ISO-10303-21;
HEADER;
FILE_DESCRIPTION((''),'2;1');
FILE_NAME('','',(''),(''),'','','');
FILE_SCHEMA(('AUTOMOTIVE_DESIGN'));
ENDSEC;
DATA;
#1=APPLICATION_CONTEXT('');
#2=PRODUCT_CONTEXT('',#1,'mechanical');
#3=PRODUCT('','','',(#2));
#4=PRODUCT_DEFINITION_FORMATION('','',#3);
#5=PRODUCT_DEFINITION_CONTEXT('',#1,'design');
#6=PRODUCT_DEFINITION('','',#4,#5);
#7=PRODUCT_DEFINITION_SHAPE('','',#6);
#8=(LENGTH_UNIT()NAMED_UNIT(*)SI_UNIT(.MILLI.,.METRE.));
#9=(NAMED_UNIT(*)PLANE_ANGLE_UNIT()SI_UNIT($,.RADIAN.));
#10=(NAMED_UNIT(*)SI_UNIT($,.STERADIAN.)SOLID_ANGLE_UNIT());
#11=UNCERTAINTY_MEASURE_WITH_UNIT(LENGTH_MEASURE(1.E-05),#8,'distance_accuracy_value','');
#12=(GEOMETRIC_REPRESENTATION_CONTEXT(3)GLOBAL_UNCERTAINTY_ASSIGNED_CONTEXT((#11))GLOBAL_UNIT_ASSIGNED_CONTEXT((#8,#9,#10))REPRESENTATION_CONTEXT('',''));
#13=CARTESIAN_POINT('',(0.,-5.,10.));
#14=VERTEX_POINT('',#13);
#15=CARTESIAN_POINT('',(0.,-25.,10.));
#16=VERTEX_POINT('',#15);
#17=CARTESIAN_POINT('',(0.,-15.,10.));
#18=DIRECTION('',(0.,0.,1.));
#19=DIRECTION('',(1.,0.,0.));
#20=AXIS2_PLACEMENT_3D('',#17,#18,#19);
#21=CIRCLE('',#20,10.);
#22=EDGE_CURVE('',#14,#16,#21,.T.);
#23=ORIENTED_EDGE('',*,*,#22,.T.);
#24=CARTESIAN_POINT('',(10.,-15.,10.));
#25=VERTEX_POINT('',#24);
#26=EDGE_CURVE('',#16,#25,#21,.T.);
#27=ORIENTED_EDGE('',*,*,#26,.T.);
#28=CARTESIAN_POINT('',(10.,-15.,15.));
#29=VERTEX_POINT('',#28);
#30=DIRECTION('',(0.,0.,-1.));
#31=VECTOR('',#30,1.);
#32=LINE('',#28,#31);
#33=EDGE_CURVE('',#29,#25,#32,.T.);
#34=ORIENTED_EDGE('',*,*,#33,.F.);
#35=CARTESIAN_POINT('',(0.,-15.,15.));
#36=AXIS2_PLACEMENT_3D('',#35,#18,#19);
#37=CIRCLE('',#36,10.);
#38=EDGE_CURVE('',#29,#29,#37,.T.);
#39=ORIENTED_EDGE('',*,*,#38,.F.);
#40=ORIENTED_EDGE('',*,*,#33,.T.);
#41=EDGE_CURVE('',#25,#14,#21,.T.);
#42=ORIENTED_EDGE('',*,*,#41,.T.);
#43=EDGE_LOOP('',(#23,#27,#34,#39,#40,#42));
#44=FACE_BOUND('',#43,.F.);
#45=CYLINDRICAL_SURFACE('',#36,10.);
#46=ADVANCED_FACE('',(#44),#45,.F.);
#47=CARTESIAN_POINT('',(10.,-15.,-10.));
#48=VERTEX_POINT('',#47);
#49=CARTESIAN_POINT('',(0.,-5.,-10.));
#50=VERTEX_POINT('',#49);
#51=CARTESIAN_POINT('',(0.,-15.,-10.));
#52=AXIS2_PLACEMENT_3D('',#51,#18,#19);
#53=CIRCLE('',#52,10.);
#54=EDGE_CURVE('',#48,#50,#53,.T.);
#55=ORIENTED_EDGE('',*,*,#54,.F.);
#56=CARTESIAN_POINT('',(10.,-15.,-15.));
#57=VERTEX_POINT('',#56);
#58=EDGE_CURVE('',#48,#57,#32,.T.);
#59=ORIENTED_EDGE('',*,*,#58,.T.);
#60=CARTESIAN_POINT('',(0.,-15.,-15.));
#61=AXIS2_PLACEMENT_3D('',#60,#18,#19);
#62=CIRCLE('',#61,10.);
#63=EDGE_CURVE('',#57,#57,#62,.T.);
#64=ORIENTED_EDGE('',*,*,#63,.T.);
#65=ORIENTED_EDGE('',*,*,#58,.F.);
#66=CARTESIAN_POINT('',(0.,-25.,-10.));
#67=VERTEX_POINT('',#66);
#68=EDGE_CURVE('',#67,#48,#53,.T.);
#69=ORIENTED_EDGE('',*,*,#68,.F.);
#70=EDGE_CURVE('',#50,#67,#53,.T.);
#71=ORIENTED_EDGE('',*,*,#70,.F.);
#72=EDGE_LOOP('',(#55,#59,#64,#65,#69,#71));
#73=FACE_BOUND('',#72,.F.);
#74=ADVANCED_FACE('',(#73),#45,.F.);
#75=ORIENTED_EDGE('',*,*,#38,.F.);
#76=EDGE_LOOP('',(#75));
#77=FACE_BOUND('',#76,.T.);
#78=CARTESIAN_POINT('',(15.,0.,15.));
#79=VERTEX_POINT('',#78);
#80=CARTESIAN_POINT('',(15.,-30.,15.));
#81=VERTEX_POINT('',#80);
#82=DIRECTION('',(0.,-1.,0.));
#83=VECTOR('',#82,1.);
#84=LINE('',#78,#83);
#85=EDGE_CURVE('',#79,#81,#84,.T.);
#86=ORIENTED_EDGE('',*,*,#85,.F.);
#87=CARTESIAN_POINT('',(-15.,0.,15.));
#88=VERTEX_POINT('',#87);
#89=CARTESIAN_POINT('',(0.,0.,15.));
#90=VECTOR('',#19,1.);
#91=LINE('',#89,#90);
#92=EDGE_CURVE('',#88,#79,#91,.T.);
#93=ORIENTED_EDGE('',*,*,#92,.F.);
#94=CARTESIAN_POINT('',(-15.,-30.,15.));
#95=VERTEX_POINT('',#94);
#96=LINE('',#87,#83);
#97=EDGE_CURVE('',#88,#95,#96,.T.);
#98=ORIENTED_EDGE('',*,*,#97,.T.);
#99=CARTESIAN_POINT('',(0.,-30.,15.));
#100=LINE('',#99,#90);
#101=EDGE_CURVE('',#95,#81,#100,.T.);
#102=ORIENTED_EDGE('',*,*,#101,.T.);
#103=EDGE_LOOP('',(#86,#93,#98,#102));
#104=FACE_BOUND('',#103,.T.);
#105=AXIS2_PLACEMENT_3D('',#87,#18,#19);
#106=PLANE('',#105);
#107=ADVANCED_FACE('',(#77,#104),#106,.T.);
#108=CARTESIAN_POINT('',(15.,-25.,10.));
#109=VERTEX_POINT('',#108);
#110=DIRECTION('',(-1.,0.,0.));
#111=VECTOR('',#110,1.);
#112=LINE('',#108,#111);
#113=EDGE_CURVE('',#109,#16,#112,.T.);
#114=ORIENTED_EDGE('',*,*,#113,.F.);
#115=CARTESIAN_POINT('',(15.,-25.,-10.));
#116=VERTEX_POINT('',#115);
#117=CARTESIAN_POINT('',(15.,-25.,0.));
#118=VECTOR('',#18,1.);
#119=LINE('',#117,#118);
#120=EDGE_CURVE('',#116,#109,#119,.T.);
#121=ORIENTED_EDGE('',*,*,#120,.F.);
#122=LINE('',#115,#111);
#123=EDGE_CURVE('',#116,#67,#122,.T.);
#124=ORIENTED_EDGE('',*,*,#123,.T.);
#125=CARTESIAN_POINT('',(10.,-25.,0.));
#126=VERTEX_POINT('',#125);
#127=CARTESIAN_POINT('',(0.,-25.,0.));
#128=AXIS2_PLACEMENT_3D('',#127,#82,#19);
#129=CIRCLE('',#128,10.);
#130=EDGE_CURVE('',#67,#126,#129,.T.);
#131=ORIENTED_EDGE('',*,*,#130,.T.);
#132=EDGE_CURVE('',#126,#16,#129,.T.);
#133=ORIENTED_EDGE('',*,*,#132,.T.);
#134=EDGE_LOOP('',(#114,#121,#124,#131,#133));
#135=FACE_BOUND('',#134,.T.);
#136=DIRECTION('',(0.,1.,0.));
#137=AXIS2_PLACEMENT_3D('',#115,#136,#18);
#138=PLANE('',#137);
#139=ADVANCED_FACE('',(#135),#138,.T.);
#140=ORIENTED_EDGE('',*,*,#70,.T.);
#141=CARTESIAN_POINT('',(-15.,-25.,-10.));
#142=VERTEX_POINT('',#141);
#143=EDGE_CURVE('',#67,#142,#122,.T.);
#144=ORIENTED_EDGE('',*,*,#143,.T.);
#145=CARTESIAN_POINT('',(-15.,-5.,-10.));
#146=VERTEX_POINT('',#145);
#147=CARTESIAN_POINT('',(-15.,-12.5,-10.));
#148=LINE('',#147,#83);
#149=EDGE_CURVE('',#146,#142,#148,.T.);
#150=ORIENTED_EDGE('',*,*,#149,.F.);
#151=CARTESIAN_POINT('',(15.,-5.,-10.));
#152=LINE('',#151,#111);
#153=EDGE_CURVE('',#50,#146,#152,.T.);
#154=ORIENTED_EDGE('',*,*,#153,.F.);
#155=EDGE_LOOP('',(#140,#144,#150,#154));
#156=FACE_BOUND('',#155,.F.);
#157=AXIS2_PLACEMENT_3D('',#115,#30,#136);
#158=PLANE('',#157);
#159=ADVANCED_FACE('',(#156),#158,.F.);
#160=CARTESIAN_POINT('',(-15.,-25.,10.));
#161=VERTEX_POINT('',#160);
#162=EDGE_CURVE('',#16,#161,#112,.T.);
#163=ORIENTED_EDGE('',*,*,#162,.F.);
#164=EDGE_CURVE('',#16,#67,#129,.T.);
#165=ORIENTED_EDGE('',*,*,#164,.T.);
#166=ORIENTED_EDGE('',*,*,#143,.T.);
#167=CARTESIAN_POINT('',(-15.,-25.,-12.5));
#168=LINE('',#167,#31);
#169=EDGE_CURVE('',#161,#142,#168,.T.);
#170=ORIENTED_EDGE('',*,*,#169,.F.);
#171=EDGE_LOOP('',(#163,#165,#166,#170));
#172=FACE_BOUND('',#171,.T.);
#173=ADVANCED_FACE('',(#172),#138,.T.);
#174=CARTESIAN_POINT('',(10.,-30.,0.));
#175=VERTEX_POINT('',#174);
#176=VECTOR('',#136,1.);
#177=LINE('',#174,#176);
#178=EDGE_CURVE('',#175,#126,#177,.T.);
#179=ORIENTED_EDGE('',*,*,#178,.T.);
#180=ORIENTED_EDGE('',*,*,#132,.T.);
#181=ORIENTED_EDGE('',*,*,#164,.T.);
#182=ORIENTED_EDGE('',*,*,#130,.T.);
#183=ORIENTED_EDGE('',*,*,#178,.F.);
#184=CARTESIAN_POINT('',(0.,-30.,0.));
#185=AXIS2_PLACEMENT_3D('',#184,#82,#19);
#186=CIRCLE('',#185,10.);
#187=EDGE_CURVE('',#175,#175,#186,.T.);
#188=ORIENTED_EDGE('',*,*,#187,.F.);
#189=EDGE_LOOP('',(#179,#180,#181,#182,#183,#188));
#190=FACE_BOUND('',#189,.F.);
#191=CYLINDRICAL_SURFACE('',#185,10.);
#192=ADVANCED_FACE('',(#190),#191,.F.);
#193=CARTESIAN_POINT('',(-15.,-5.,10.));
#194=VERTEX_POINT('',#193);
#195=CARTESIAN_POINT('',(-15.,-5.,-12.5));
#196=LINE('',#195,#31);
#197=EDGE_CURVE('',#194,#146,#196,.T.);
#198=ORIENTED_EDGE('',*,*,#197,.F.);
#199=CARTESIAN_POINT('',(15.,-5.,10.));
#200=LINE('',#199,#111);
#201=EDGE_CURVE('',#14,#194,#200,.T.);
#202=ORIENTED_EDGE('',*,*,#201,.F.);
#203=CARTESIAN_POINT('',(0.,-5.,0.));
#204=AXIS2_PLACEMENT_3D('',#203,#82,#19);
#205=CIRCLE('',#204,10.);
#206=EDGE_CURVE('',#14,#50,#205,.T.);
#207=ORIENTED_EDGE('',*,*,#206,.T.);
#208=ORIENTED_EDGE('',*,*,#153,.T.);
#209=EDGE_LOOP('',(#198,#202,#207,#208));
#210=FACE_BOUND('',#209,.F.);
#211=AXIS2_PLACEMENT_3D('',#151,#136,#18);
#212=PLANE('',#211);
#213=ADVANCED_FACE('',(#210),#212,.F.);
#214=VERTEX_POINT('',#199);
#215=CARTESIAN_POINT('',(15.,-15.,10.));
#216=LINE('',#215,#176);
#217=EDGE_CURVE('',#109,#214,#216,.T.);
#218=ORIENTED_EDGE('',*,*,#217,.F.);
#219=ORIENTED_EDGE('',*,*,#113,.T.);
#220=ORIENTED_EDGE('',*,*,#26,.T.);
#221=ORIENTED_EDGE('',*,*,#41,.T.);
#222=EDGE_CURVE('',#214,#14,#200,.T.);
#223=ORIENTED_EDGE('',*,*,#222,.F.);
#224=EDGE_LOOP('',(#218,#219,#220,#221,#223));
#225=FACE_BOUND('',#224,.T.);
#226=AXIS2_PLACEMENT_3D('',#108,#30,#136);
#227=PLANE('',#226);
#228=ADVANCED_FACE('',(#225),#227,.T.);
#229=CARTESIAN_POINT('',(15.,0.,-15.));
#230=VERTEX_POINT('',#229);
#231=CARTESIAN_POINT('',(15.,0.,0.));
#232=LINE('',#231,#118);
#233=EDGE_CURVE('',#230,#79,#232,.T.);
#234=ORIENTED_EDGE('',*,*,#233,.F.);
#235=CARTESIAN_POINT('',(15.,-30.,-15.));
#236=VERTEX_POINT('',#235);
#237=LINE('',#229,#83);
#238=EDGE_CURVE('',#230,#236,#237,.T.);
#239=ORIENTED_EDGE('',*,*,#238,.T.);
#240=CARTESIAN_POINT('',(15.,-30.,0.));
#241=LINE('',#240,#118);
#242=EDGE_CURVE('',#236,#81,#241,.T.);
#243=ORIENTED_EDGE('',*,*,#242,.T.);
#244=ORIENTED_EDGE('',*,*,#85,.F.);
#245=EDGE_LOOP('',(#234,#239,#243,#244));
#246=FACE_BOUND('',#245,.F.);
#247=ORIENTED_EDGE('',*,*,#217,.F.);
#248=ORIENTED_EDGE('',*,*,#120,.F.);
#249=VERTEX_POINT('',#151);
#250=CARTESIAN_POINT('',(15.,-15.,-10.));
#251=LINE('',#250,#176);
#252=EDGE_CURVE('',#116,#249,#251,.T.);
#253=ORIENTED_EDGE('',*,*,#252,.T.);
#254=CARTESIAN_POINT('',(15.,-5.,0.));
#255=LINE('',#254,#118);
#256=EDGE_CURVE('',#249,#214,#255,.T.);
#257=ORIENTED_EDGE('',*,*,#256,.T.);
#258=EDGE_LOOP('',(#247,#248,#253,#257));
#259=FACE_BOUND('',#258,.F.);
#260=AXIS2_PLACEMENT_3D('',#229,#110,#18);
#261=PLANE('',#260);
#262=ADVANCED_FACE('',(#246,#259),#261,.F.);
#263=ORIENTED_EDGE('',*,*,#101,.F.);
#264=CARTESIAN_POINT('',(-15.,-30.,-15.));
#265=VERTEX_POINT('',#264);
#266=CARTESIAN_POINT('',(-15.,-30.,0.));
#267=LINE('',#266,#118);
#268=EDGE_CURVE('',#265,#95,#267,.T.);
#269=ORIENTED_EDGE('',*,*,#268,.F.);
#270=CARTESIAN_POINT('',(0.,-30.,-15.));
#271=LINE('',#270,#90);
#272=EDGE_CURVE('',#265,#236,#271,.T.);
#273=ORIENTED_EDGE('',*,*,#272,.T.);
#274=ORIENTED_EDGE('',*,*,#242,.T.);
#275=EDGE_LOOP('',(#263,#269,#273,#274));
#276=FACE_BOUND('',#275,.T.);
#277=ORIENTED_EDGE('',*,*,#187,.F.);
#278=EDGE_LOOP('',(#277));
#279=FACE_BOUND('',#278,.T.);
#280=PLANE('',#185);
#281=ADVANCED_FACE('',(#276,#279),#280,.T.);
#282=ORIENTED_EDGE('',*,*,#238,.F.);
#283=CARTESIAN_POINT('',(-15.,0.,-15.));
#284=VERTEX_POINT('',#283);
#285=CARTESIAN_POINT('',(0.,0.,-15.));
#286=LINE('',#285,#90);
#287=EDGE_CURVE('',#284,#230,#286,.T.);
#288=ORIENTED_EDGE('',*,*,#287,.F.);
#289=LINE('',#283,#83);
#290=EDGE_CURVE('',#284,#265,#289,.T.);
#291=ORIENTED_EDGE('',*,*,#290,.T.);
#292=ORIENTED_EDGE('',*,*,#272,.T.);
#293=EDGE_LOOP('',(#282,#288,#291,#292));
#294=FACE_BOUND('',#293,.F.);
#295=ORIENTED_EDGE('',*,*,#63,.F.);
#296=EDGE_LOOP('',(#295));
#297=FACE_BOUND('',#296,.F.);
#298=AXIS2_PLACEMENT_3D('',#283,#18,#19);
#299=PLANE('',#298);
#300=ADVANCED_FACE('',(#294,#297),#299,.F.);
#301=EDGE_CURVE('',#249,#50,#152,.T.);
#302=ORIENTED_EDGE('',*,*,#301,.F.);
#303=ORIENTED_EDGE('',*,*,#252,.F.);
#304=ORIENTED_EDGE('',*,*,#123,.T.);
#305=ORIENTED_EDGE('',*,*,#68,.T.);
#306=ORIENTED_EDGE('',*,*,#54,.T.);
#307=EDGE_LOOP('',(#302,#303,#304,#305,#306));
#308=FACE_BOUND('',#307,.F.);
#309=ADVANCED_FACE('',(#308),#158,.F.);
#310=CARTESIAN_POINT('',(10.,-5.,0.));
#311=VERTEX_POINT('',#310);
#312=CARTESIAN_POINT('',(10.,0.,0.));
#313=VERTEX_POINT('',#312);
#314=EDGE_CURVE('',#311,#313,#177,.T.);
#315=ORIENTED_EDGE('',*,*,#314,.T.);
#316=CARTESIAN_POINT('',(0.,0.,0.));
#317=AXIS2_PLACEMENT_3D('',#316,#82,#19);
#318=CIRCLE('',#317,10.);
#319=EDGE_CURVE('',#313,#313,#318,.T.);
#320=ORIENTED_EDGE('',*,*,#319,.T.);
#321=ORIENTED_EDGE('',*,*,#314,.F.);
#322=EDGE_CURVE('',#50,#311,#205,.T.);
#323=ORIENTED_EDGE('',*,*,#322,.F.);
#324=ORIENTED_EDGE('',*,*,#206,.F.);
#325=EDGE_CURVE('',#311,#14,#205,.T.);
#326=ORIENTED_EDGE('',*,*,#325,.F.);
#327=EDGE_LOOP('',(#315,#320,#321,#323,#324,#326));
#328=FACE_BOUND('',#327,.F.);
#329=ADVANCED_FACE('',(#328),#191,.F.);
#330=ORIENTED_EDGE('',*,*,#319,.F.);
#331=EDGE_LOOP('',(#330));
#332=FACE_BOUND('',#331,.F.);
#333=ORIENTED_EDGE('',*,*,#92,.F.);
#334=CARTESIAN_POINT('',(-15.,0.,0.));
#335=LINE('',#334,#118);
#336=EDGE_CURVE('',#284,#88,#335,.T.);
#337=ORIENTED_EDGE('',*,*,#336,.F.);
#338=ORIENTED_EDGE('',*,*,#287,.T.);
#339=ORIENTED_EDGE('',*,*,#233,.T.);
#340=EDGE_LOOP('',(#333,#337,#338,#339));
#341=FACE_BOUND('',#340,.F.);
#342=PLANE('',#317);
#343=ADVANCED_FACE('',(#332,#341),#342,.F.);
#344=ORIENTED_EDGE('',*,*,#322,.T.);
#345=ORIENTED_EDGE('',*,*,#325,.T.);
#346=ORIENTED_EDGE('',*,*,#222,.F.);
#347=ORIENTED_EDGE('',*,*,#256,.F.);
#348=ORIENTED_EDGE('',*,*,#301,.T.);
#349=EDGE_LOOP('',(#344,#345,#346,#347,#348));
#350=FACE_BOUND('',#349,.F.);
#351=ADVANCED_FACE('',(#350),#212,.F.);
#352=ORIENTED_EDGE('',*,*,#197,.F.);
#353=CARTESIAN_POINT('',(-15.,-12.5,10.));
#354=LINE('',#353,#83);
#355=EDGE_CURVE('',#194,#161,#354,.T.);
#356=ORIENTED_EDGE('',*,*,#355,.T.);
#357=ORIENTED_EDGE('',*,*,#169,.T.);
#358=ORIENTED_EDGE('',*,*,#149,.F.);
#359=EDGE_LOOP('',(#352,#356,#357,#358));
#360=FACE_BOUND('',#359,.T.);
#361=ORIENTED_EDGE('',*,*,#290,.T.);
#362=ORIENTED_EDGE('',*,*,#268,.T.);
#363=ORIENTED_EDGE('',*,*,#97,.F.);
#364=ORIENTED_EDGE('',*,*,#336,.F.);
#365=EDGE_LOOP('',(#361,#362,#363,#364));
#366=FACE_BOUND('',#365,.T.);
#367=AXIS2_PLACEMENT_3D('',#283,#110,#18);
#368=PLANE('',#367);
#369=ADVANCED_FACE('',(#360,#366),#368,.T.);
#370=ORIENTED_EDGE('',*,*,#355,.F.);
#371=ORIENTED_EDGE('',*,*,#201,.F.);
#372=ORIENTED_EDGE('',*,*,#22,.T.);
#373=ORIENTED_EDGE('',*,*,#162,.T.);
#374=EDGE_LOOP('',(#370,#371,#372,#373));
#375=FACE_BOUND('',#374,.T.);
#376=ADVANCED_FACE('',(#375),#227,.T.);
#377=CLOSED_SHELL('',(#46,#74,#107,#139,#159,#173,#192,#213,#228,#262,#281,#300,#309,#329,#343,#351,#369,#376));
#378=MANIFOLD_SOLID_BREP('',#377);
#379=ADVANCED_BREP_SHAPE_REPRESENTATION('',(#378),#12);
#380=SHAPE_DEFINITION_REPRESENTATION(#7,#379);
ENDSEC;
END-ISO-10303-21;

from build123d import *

# Parameters (mm, degrees)
F0_W     = 30
F0_H     = 30
F1_DEPTH = 30
F2_R     = 10
F3_DEPTH = 30.001
F4_R     = 10
F5_DEPTH = 30.001
F6_W     = 20
F6_H     = 20
F7_DEPTH = 30.001


with BuildPart() as f1:
    # F0 (on Front) → F1 (new body)
    with BuildSketch(Plane.XZ):
        Rectangle(F0_W, F0_H)
    extrude(amount=F1_DEPTH)

    # F2 (on face) → F3 (cut, through all)
    with BuildSketch(Plane.XZ.offset(30)):
        Circle(F2_R)
    extrude(amount=-F3_DEPTH, mode=Mode.SUBTRACT)

    # F4 (on face) → F5 (cut, through all)
    with BuildSketch(Plane.XY.offset(15)):
        with Locations((0, -15)):
            Circle(F4_R)
    extrude(amount=-F5_DEPTH, mode=Mode.SUBTRACT)

    # F6 (on face) → F7 (cut, through all)
    with BuildSketch(Plane.YZ.offset(15)):
        with Locations((-15, 0)):
            Rectangle(F6_W, F6_H)
    extrude(amount=-F7_DEPTH, mode=Mode.SUBTRACT)


solid = f1.part
